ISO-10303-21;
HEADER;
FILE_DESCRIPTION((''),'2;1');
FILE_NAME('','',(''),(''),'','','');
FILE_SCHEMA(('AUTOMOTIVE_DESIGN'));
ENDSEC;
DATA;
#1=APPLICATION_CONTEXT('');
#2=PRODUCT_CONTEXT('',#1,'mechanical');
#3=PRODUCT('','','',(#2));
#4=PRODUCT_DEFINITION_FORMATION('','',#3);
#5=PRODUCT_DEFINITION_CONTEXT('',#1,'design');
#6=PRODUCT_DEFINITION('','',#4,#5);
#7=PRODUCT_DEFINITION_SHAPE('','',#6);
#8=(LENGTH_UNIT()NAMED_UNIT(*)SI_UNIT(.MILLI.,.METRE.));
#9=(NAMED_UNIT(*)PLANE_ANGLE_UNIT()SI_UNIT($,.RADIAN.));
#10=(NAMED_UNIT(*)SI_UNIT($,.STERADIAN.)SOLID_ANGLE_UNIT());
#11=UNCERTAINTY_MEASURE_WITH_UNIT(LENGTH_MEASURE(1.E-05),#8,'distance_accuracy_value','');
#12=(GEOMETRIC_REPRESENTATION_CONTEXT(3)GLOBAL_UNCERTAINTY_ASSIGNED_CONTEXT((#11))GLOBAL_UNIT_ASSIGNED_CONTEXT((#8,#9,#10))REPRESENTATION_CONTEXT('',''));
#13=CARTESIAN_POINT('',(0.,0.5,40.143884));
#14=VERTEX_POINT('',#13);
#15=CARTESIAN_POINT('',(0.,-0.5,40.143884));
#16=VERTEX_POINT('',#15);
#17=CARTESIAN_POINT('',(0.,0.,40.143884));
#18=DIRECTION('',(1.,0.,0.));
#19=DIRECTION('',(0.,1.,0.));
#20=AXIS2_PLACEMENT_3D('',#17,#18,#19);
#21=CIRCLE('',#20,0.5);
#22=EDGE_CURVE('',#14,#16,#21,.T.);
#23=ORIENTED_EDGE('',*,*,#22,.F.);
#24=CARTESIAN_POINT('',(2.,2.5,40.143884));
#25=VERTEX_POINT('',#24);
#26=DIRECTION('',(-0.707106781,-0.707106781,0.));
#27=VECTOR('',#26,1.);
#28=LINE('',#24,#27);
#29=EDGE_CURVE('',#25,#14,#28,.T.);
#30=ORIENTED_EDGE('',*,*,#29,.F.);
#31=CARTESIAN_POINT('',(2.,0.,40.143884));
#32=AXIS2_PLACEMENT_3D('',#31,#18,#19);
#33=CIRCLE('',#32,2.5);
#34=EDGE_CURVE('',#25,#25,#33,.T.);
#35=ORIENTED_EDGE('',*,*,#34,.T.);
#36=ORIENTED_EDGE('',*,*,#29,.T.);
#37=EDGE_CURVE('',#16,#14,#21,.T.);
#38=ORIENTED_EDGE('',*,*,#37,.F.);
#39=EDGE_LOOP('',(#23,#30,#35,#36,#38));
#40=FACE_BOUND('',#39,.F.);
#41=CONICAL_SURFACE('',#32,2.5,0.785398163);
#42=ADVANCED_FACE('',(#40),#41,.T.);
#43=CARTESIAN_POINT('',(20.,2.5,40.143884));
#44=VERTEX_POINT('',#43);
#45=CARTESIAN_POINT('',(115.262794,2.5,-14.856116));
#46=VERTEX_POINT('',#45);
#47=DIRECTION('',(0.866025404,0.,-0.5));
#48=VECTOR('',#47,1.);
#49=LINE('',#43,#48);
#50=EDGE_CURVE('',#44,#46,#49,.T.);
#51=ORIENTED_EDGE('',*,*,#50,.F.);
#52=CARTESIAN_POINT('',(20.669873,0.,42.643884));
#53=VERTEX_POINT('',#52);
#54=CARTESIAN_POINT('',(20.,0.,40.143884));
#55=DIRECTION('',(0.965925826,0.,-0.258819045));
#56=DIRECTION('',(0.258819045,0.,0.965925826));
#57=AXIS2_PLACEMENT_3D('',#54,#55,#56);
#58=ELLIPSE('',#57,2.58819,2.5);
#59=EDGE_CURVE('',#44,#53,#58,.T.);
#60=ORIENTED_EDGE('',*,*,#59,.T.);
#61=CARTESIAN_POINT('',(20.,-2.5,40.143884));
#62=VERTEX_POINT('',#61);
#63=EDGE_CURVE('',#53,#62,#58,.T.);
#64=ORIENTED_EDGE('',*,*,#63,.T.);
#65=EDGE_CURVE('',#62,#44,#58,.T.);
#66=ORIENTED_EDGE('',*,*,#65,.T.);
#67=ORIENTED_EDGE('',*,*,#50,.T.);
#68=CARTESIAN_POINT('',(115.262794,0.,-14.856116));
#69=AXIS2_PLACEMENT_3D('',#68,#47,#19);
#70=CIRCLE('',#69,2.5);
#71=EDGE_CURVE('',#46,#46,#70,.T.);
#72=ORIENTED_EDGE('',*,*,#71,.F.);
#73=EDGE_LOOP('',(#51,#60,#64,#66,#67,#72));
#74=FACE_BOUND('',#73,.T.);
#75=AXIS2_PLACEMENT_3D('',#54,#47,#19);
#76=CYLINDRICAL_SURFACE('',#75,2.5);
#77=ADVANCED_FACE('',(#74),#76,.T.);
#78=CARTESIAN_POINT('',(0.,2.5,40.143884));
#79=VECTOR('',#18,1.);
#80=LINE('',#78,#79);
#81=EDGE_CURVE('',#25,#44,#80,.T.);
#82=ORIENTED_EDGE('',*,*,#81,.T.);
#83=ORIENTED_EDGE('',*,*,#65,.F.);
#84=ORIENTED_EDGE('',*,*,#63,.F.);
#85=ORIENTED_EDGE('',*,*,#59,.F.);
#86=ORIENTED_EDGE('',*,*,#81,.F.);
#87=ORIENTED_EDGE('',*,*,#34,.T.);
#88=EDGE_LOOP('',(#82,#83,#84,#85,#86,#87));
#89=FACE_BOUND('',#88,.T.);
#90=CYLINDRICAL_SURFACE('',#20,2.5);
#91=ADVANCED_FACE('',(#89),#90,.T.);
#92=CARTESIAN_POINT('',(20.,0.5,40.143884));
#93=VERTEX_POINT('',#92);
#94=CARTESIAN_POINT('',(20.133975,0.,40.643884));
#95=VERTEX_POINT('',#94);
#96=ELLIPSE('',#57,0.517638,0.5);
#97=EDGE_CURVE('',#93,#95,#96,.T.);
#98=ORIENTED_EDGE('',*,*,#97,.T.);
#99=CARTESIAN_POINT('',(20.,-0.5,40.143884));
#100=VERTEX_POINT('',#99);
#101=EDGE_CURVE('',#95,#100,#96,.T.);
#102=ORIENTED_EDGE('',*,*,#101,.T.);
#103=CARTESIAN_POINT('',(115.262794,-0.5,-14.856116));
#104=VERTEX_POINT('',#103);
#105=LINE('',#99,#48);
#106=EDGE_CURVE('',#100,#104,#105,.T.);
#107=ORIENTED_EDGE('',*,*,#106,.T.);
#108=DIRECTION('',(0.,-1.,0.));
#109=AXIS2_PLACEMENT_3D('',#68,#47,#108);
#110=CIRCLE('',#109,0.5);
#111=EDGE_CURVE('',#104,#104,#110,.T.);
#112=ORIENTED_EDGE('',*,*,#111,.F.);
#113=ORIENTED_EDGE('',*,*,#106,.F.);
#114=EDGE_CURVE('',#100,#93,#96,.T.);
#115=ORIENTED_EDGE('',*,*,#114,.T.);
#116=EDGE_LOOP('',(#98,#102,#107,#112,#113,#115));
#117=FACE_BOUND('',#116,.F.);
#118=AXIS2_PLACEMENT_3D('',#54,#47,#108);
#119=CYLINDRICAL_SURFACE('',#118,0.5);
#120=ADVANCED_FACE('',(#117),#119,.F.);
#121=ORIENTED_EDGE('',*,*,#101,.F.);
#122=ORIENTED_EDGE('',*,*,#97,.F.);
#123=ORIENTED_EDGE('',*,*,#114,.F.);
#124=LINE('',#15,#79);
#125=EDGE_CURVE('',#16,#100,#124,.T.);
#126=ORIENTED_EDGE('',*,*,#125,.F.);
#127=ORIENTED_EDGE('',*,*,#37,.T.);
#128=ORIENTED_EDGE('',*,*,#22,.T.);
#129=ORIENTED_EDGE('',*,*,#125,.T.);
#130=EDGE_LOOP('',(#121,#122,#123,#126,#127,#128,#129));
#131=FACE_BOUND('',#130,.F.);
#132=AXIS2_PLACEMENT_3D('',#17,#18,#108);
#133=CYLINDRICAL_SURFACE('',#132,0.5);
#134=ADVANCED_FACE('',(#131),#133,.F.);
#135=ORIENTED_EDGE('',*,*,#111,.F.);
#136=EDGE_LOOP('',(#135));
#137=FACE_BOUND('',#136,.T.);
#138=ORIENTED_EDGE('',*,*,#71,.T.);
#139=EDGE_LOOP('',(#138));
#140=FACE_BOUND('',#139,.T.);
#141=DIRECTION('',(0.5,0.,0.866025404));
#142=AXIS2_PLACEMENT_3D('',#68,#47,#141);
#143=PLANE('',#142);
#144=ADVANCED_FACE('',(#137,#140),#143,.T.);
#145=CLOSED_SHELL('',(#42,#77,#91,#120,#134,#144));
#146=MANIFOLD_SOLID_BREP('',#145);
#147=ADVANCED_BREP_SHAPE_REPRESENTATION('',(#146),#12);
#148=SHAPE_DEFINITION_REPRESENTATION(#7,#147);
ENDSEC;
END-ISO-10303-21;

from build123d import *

# Parameters (mm, degrees)
F1_R      = 2.5
F3_SIZE   = 2
F2_FACE_R = 0.5


with BuildPart() as f2:
    # F2: sweep along a path in F0
    with BuildLine(Plane.XZ) as f2_path:
        Line((0, 40.1438838244), (20, 40.1438838244))
        Line((20, 40.1438838244), (115.2627944163, -14.8561161756))
    # F1 (on Right) → F2 (sweep)
    with BuildSketch(Plane.YZ):
        with Locations((0, 40.1438838244)):
            Circle(F1_R)
    sweep(path=f2_path.line, transition=Transition.RIGHT)

    # F3
    f3_edges = [f2.edges().sort_by_distance(p)[0] for p in [
        (0, -2.5, 40.143884),
    ]]
    chamfer(f3_edges, length=F3_SIZE)

    # F4: sweep along a path in F0
    with BuildLine(Plane.XZ) as f4_path:
        Line((0, 40.1438838244), (20, 40.1438838244))
        Line((20, 40.1438838244), (115.2627944163, -14.8561161756))
    # F2_face (on face) → F4 (sweep, cut)
    with BuildSketch(Plane(origin=(0, 0, 40.1438838244), x_dir=(0, -1, 0), z_dir=(-1, 0, 0))):
        Circle(F2_FACE_R)
    sweep(path=f4_path.line, transition=Transition.RIGHT, mode=Mode.SUBTRACT)


solid = f2.part
